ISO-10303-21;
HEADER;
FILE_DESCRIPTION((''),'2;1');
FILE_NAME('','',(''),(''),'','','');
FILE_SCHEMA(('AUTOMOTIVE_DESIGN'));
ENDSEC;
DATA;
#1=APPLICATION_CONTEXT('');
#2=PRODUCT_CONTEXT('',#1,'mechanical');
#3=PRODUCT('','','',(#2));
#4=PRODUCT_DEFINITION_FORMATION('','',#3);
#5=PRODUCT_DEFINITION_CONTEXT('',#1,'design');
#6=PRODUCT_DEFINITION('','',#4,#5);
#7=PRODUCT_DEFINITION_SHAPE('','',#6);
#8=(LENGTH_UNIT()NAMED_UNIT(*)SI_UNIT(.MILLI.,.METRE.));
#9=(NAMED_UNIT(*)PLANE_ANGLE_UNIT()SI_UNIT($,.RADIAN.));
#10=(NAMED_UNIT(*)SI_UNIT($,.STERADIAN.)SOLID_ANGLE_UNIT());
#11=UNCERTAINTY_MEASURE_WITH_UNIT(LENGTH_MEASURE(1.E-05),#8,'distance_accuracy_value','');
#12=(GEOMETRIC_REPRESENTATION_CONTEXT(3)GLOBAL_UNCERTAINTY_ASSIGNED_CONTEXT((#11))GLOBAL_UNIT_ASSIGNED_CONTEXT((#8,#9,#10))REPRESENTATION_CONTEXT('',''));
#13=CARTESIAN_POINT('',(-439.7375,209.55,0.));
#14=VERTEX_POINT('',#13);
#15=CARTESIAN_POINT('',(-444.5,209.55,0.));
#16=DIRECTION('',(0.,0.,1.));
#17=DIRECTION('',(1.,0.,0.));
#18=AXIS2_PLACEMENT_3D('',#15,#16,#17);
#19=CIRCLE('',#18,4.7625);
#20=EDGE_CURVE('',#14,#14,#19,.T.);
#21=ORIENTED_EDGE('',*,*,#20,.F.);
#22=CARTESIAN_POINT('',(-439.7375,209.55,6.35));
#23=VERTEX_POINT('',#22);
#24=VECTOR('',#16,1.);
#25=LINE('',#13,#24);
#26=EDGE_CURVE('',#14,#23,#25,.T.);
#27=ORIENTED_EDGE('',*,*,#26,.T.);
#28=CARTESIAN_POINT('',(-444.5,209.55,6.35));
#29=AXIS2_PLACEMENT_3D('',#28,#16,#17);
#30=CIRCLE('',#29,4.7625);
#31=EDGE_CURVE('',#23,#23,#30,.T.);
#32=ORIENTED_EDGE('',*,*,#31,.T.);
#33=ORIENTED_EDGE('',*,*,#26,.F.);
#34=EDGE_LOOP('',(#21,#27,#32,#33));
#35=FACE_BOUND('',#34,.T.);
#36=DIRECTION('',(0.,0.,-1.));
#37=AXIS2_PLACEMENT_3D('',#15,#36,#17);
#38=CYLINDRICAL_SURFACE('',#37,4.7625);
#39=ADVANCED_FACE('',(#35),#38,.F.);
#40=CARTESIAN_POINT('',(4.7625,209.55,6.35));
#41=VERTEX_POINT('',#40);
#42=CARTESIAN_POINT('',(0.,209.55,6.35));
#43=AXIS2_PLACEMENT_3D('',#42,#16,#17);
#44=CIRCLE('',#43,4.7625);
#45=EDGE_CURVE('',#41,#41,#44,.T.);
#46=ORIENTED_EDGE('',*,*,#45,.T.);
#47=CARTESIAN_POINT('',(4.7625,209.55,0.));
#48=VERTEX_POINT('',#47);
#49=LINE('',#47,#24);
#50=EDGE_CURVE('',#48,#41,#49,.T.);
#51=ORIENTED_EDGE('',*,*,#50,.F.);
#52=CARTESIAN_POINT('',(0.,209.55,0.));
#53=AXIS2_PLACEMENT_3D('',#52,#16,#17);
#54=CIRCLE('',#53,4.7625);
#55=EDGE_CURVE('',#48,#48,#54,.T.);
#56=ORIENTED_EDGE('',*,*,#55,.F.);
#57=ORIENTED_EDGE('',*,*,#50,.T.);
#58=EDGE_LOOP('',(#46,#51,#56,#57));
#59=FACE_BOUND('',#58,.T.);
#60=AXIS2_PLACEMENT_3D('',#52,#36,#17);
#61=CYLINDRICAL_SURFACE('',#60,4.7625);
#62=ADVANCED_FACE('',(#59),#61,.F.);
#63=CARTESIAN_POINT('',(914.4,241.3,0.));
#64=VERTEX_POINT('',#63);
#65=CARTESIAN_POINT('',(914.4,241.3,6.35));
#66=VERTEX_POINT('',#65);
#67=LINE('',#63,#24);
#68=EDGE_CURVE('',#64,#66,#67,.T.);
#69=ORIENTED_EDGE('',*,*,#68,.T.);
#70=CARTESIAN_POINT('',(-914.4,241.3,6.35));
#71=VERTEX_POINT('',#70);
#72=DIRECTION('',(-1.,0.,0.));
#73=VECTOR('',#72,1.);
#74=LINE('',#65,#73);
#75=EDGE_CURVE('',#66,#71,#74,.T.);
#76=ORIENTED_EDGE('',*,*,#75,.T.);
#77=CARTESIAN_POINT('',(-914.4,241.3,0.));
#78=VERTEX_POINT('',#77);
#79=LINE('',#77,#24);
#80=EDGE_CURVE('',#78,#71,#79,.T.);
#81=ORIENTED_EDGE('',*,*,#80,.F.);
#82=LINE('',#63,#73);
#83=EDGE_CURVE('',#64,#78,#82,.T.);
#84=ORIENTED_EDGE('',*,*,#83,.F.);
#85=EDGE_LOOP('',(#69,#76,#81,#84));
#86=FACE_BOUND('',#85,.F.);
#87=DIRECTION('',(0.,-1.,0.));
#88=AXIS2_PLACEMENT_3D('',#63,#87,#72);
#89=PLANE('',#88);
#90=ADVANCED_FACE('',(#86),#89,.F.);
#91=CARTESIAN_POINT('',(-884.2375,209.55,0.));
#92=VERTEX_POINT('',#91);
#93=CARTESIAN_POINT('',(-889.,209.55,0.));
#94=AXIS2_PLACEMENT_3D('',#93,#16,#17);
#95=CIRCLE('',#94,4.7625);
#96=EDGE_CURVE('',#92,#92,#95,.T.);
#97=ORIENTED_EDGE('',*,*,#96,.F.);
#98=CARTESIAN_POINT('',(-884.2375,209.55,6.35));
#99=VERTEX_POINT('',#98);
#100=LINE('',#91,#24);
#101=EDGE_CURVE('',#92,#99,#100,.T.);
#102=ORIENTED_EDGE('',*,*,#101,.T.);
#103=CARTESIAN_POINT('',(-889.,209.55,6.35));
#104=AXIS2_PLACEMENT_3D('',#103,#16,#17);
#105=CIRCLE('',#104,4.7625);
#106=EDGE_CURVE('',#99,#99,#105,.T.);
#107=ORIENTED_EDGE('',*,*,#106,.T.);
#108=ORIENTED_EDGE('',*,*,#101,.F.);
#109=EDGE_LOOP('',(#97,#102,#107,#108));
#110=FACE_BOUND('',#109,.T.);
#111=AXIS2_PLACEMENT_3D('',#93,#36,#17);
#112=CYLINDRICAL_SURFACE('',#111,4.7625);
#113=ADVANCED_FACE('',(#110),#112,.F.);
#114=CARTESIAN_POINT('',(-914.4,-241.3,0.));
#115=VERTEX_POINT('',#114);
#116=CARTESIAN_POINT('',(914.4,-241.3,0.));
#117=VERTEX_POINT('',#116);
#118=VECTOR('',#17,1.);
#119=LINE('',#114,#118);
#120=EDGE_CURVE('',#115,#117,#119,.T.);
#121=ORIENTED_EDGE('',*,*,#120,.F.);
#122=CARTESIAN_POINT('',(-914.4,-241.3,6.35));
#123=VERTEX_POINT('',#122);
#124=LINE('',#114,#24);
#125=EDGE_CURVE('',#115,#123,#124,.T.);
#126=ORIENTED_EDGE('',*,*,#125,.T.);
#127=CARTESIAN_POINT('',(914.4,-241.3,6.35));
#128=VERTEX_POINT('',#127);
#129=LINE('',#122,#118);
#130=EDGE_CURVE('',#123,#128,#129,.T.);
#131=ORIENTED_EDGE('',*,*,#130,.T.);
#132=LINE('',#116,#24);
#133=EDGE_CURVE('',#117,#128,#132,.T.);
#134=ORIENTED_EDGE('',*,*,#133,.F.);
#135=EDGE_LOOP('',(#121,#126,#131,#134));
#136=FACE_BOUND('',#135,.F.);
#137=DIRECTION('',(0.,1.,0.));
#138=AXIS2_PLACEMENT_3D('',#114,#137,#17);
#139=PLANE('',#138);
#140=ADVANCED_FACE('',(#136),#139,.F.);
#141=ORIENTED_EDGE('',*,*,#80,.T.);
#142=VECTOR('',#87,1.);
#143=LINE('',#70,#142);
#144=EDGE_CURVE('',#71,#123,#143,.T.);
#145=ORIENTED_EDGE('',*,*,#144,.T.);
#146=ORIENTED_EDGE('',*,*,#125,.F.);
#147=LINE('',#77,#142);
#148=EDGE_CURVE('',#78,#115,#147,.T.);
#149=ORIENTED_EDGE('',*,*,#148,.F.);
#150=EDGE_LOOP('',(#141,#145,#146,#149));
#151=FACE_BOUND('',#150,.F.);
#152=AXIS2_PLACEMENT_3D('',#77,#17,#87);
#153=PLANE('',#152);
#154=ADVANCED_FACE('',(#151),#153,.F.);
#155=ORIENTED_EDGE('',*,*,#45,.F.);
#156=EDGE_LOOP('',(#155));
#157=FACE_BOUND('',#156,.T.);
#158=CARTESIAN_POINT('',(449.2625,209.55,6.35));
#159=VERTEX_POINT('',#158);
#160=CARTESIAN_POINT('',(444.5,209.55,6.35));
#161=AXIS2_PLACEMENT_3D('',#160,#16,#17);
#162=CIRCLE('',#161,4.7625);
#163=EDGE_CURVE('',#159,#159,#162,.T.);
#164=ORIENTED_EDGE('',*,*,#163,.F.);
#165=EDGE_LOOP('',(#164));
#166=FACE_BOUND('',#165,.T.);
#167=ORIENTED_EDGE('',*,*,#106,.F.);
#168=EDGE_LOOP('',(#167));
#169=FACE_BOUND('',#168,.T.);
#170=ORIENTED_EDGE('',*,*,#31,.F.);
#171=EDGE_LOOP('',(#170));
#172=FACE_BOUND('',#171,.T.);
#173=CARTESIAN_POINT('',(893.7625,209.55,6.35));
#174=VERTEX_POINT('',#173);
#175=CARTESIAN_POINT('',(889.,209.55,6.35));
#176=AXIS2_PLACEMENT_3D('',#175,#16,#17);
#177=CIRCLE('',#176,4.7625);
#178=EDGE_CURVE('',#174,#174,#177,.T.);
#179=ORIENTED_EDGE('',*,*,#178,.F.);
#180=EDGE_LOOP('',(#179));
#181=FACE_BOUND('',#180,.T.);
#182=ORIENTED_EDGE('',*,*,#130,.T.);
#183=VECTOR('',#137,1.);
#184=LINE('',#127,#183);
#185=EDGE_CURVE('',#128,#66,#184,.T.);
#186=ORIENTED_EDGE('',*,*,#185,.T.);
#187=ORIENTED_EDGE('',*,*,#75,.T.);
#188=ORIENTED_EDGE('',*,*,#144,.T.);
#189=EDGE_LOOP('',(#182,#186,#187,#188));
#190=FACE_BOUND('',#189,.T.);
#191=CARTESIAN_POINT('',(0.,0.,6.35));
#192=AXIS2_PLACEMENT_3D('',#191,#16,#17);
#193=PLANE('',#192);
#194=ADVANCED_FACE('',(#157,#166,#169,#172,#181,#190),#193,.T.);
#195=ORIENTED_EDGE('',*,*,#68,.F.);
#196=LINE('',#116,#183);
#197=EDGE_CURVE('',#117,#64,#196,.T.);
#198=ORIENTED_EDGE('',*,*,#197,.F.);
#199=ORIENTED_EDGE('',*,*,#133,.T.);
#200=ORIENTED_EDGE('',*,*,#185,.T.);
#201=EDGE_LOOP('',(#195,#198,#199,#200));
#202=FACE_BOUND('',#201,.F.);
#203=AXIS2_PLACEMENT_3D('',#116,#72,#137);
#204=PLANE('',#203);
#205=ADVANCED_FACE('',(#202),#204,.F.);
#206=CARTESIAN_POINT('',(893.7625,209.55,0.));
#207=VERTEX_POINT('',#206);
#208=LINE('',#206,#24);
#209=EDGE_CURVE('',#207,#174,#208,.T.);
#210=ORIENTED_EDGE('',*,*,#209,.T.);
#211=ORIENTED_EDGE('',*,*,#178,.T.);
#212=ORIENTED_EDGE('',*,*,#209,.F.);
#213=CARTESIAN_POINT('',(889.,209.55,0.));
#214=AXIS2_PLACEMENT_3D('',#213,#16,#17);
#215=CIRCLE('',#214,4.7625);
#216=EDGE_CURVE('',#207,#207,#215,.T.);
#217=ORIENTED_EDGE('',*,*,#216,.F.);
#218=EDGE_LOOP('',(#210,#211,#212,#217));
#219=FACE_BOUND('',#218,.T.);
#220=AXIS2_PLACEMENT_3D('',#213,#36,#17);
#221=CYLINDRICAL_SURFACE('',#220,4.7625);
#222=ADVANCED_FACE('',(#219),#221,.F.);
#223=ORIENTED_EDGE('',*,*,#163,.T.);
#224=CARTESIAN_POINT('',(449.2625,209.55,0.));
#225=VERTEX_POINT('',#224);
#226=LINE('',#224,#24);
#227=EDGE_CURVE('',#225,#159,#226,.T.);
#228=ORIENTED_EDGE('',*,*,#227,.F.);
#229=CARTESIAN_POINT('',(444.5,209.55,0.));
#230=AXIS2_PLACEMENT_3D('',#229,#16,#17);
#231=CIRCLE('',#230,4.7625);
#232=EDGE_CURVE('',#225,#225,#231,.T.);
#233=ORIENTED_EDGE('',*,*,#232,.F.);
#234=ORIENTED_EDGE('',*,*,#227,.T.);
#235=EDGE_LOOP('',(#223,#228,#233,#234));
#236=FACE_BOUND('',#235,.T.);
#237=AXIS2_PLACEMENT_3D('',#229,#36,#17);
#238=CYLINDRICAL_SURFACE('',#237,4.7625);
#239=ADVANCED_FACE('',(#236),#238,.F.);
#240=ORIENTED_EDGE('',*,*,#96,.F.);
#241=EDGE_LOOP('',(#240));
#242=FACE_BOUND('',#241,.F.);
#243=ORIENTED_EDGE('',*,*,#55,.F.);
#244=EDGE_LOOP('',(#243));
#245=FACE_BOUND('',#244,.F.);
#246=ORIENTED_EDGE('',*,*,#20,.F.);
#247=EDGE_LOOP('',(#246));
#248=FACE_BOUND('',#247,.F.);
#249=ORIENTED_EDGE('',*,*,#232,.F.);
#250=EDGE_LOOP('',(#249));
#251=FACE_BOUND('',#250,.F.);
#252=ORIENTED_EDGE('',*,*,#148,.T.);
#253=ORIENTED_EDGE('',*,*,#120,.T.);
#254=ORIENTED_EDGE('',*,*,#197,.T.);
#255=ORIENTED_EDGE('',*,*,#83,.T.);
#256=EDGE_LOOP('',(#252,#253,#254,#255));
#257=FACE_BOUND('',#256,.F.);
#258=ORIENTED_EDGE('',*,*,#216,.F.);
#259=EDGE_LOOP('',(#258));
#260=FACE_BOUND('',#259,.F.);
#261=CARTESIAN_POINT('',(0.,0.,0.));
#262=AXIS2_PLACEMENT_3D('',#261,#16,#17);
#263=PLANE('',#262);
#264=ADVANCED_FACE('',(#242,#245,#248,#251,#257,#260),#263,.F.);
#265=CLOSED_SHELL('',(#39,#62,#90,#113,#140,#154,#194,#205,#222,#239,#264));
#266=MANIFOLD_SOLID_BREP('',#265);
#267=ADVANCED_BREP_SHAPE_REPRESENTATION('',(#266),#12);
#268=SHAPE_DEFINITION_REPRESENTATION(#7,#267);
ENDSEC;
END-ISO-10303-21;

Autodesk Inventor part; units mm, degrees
ref_plane "YZ Plane" through (0, 0, 0) normal (1, 0, 0) x (0, 1, 0)
ref_plane "XZ Plane" through (0, 0, 0) normal (0, 1, 0) x (-1, 0, 0)
ref_plane "XY Plane" through (0, 0, 0) normal (0, 0, 1) x (1, 0, 0)
sketch "Sketch1" plane through (0, 0, 0) normal (0, 0, 1) x (1, 0, 0)
  line L0 (-914.4, -241.3) -> (914.4, -241.3)
  line L1 (914.4, -241.3) -> (914.4, 241.3)
  line L2 (914.4, 241.3) -> (-914.4, 241.3)
  line L3 (-914.4, 241.3) -> (-914.4, -241.3)
  line L4 (-914.4, -241.3) -> (914.4, 241.3) construction
  line L5 (914.4, -241.3) -> (-914.4, 241.3) construction
  circle A0 centre (-889, 209.55) radius 4.7625
  circle A1 centre (-444.5, 209.55) radius 4.7625
  circle A2 centre (0, 209.55) radius 4.7625
  circle A3 centre (444.5, 209.55) radius 4.7625
  circle A4 centre (889, 209.55) radius 4.7625
  point P0 (0, 0)
  point P1 (0, 0)
  dimension "d0" = 1828.8
  dimension "d1" = 482.6
  dimension "d2" = 9.525
  dimension "d3" = 31.75
  dimension "d6" = 444.5
extrude "Extrusion1" add sketch "Sketch1" along normal blind 6.35
properties part number "FE-100-001 Main Panel" material "Polycarbonate, Clear"
